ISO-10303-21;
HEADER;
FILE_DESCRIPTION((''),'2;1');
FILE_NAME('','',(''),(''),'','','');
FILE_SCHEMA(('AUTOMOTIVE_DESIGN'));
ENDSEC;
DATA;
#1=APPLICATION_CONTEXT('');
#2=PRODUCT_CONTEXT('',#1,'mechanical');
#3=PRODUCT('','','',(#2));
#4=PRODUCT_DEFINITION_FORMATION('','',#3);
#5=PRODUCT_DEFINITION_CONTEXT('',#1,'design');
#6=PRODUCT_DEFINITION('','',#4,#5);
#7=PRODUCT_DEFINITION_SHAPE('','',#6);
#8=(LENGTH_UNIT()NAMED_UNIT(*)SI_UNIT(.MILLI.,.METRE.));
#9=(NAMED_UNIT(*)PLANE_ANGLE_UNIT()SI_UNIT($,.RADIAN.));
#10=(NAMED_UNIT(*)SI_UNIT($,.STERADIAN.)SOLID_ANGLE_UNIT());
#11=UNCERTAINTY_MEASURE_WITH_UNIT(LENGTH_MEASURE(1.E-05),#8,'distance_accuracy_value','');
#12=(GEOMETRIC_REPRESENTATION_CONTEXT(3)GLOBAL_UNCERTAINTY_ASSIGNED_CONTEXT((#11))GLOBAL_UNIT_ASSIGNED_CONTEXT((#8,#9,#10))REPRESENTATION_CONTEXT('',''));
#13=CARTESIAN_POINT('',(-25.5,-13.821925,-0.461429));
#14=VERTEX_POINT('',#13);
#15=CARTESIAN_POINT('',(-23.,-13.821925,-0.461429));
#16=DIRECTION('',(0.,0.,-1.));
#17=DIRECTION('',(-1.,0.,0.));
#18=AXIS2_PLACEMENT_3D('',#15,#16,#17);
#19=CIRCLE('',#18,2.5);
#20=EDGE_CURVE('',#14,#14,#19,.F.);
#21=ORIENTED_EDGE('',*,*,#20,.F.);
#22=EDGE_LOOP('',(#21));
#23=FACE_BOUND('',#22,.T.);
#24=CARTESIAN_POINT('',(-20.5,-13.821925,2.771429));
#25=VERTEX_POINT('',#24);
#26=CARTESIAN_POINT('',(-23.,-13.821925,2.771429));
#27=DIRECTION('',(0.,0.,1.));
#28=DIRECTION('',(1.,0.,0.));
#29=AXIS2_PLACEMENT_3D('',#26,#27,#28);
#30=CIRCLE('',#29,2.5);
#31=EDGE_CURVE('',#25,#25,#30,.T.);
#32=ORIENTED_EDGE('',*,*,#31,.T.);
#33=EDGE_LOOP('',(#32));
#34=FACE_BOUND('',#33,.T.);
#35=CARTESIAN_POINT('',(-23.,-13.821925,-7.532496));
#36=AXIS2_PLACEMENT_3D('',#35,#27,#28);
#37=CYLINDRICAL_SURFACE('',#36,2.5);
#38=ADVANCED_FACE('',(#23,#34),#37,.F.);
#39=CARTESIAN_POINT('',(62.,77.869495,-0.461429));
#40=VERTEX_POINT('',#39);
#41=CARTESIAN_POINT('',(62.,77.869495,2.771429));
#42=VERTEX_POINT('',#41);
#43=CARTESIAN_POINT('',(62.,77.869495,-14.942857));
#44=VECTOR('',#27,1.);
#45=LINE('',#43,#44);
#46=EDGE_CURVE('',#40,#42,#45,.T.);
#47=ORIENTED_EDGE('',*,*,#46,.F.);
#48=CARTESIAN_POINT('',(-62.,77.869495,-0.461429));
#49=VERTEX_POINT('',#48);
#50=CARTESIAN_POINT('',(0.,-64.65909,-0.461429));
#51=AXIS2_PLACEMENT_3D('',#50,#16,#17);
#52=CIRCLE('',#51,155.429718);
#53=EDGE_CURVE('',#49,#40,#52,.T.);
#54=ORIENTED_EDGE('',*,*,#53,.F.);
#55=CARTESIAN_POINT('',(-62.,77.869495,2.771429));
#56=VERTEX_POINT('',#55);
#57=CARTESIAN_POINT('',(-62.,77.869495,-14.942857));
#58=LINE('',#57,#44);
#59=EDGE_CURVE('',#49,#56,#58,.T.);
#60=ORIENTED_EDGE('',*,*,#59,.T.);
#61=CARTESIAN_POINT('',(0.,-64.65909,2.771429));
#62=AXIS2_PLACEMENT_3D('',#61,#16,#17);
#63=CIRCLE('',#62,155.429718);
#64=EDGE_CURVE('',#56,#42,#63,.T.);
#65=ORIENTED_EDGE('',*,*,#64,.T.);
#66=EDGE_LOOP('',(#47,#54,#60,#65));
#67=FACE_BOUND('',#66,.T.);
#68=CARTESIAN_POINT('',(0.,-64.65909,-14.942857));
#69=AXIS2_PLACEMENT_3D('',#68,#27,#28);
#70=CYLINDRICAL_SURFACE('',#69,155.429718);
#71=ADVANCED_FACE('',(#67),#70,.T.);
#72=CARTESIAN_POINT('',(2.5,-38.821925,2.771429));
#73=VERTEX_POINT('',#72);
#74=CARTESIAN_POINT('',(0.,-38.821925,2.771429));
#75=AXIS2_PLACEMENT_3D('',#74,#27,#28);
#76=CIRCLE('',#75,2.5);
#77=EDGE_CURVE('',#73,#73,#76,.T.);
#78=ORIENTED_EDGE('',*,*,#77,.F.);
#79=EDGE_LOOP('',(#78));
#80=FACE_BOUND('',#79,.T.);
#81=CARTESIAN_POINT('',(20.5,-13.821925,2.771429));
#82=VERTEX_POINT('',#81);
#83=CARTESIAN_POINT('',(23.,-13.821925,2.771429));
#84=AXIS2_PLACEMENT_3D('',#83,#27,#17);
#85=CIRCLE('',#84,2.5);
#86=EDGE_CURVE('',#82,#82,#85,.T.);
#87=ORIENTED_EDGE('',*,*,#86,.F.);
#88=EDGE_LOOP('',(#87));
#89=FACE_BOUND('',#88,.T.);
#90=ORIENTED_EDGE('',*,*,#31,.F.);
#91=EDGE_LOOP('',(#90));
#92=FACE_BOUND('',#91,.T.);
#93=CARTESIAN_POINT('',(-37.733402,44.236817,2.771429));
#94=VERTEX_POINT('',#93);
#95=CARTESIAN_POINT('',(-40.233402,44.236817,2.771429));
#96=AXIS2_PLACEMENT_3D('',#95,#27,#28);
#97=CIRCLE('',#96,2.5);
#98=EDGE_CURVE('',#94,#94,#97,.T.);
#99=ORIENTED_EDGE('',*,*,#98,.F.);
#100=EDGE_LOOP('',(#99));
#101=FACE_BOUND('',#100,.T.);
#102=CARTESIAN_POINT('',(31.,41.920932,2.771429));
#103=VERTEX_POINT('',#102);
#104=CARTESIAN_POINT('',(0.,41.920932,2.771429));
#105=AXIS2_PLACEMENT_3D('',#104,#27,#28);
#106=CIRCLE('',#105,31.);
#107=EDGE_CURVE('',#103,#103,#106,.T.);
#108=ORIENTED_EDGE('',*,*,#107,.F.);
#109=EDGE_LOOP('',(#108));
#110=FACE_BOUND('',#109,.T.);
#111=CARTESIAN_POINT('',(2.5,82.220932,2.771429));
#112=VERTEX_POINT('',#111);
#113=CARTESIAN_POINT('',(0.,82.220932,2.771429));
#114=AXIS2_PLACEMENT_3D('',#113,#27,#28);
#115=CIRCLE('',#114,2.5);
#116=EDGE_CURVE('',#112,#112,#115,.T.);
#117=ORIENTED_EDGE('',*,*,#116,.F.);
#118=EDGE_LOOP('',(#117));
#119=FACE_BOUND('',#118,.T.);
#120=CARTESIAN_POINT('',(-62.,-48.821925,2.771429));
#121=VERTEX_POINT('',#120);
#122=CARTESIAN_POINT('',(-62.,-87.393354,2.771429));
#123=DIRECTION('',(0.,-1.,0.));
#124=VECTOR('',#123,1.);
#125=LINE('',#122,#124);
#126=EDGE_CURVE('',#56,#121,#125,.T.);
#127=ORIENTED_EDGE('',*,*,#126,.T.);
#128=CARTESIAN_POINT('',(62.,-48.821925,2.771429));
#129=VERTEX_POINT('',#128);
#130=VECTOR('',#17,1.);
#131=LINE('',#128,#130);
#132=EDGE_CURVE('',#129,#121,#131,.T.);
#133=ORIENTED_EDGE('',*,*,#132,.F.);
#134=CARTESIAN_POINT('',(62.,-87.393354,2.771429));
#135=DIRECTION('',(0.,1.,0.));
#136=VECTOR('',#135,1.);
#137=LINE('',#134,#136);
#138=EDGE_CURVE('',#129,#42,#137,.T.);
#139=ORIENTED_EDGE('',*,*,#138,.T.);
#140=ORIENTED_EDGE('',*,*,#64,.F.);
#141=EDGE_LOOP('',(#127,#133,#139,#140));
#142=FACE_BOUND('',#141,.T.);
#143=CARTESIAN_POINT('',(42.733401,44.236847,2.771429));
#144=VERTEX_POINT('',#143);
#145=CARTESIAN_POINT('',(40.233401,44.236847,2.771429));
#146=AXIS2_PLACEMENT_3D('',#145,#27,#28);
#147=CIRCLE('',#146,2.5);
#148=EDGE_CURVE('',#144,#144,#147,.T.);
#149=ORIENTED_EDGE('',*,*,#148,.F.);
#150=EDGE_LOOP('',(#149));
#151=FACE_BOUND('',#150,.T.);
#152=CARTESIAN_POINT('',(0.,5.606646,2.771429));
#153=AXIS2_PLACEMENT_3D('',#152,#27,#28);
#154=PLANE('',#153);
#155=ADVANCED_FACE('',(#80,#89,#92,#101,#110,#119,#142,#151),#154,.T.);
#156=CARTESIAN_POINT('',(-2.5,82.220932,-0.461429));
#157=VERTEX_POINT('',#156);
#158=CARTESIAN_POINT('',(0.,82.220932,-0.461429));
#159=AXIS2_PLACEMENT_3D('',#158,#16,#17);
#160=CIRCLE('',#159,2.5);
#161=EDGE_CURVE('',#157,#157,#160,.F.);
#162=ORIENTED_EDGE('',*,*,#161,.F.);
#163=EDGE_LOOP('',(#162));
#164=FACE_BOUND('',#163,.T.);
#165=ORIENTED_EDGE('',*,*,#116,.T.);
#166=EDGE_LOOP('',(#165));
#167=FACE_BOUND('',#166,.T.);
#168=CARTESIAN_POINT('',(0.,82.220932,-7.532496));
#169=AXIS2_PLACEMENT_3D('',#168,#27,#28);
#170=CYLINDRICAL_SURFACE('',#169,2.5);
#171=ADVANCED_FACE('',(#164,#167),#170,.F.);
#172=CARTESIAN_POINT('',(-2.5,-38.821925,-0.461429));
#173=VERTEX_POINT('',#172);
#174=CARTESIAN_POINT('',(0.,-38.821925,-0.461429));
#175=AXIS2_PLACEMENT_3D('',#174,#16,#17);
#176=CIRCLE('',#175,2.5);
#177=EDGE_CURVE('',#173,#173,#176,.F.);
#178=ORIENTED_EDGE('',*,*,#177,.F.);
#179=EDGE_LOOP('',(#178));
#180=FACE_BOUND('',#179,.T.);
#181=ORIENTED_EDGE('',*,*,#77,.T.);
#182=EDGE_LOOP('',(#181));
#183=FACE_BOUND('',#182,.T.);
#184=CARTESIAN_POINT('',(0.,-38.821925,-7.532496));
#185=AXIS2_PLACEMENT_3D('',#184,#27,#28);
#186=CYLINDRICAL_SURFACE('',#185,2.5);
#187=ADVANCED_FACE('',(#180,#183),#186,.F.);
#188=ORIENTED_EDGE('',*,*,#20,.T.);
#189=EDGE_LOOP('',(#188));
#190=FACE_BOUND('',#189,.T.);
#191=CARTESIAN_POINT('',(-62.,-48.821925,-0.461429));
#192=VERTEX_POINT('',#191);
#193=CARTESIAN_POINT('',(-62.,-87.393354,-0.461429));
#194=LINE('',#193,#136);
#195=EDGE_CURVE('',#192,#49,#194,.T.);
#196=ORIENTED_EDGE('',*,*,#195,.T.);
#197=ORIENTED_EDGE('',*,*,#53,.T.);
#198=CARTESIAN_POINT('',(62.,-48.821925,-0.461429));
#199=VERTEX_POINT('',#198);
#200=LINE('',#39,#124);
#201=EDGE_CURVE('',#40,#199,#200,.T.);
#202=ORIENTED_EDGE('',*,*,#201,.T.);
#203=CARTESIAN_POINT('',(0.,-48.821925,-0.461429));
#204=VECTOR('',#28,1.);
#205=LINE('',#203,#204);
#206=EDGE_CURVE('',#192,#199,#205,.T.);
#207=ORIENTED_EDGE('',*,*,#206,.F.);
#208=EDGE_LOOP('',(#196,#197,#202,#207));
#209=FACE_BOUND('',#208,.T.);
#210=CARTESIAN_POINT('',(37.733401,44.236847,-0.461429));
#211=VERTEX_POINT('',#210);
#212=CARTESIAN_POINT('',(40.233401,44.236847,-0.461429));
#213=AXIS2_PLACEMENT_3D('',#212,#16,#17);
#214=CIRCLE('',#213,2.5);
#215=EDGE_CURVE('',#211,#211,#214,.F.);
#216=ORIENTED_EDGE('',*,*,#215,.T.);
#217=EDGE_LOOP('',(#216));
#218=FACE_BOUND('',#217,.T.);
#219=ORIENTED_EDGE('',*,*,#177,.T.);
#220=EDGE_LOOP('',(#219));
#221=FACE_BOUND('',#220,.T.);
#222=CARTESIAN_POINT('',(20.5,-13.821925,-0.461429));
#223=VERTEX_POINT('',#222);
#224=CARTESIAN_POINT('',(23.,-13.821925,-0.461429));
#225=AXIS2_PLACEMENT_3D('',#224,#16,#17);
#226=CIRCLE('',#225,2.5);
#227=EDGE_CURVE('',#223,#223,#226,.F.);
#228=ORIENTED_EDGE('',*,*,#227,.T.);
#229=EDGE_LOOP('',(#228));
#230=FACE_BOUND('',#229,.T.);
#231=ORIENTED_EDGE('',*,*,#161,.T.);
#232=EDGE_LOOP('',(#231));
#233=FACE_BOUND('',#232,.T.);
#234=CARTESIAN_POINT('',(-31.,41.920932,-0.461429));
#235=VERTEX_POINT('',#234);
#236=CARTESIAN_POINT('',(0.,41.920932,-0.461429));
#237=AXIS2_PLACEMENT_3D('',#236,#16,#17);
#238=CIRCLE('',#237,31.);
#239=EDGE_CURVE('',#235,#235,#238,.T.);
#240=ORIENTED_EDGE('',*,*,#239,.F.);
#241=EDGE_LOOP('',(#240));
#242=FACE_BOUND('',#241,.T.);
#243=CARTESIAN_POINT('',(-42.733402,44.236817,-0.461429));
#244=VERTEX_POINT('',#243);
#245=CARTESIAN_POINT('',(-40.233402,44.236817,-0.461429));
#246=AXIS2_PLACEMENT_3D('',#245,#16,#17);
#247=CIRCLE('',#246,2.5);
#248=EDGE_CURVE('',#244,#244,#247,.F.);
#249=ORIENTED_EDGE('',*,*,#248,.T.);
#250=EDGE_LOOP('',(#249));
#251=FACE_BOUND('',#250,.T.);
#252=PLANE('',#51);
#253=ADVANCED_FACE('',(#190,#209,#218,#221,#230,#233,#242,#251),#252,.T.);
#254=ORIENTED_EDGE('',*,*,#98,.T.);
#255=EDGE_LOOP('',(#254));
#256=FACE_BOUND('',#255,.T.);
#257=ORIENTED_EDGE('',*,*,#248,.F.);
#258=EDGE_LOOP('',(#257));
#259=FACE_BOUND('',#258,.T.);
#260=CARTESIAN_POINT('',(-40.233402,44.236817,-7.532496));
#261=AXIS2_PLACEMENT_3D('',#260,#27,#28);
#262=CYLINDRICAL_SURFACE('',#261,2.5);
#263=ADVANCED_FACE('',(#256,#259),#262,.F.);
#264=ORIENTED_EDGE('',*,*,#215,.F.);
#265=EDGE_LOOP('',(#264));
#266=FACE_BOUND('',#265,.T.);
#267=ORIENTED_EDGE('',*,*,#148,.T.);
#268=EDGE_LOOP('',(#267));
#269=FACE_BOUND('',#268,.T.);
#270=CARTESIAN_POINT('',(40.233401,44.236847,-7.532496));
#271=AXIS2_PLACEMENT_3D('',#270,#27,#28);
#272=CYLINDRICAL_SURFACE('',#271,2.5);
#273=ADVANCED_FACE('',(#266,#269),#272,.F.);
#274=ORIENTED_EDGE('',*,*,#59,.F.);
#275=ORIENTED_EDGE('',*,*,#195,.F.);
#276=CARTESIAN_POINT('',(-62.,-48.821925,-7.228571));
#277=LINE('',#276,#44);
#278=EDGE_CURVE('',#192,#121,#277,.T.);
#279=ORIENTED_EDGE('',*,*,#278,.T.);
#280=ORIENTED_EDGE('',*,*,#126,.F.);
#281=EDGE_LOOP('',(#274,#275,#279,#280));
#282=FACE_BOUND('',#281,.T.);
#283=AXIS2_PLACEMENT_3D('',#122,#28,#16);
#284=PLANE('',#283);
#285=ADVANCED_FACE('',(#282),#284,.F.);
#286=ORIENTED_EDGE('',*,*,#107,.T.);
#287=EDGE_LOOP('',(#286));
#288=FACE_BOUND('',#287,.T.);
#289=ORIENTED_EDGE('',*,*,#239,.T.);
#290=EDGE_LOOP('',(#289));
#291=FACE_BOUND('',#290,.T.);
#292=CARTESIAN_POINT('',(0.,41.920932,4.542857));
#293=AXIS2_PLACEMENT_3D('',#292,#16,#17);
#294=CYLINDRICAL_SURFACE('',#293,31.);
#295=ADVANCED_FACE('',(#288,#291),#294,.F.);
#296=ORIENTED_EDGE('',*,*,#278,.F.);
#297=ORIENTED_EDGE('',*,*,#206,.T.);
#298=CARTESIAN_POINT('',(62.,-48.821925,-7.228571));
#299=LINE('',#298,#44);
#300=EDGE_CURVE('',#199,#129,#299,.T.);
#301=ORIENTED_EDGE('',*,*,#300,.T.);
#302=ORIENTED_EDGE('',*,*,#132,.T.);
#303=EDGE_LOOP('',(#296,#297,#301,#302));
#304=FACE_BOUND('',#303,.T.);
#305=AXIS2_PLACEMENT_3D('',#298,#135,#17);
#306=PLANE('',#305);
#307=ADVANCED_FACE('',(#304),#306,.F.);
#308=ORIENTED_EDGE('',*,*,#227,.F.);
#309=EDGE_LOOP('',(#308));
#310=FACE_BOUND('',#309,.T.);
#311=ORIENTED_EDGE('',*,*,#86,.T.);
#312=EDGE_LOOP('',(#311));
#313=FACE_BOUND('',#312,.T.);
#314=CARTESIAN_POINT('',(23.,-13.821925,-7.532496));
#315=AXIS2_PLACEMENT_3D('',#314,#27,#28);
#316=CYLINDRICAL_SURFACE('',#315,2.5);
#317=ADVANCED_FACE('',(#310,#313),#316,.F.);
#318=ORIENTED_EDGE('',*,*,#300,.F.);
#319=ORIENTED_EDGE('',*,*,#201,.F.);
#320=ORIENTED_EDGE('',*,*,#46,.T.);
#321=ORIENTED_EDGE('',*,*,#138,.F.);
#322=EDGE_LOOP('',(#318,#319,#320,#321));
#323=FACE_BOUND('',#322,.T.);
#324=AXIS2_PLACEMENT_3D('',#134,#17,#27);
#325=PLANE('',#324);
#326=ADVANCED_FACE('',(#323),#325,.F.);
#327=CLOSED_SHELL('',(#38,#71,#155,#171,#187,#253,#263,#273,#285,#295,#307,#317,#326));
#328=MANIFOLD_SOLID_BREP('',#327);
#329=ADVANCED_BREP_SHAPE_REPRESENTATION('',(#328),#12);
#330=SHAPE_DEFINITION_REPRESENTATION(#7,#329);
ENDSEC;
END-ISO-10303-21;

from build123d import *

# Parameters (mm, degrees)
SKETCH1_W           = 70
SKETCH1_H           = 105
BOSS_EXTRUDE1_DEPTH = 2
SKETCH2_R           = 17.5
CUT_EXTRUDE3_DEPTH  = 3
CUT_EXTRUDE6_DEPTH  = 10
SCALE1_SCALE        = 1.771428571
SKETCH6_R           = 30.999999993
CUT_EXTRUDE7_DEPTH  = 0.31
SKETCH7_W           = 123.99999997
SKETCH7_H           = 38.57142855
CUT_EXTRUDE8_DEPTH  = 10
SKETCH9_R           = 2.5
CUT_EXTRUDE9_DEPTH  = 3.232857142
SKETCH10_R          = 2.5
CUT_EXTRUDE10_DEPTH = 3.232857142


with BuildPart() as part:
    # Sketch1 → Boss-Extrude1 (new body)
    with BuildSketch(Plane.XY):
        Rectangle(SKETCH1_W, SKETCH1_H)
    extrude(amount=BOSS_EXTRUDE1_DEPTH)

    # Sketch2 → Cut-Extrude3 (cut)
    with BuildSketch(Plane(origin=(0, 0, 0), x_dir=(-1, 0, 0), z_dir=(0, 0, -1))):
        with Locations((0, 20.5)):
            Circle(SKETCH2_R)
    extrude(amount=-CUT_EXTRUDE3_DEPTH, mode=Mode.SUBTRACT)

    # Sketch5 → Cut-Extrude6 (cut)
    with BuildSketch(Plane.XY.offset(2)):
        with BuildLine():
            Line((-35, 40.793543502), (-35, 52.5))
            Line((-35, 52.5), (35, 52.5))
            Line((35, 52.5), (35, 40.793543502))
            ThreePointArc((35, 40.793543502), (0, 48.07644174), (-35, 40.793543502))
        make_face()
    extrude(amount=-CUT_EXTRUDE6_DEPTH, mode=Mode.SUBTRACT)


with BuildPart() as part_1:
    # Scale1: scaled about (0, -7.267874882, 1)
    add(part.part.scale(SCALE1_SCALE).moved(Location((0, 5.606646334, -0.771428571))))

    # Sketch6 → Cut-Extrude7 (cut)
    with BuildSketch(Plane(origin=(0, 0, -0.771428571), x_dir=(-1, 0, 0), z_dir=(0, 0, -1))):
        with BuildLine():
            Line((61.999999985, -87.393353643), (61.999999985, 77.869494806))
            ThreePointArc((61.999999985, 77.869494806), (0, 90.770628825), (-61.999999985, 77.869494806))
            Line((-61.999999985, 77.869494806), (-61.999999985, -87.393353643))
            Line((-61.999999985, -87.393353643), (61.999999985, -87.393353643))
        make_face()
        with Locations((0, 41.92093204)):
            Circle(SKETCH6_R, mode=Mode.SUBTRACT)
    extrude(amount=-CUT_EXTRUDE7_DEPTH, mode=Mode.SUBTRACT)

    # Sketch7 → Cut-Extrude8 (cut)
    with BuildSketch(Plane.XY.offset(2.771428571)):
        with Locations((0, -68.107639368)):
            Rectangle(SKETCH7_W, SKETCH7_H)
    extrude(amount=-CUT_EXTRUDE8_DEPTH, mode=Mode.SUBTRACT)

    # Sketch9 → Cut-Extrude9 (cut)
    with BuildSketch(Plane.XY.offset(2.771428571)):
        with Locations((0, -38.821925093)):
            Circle(SKETCH9_R)
        with Locations((-23, -13.821925093)):
            Circle(SKETCH9_R)
        with Locations(Location((23, -13.821925093, 0), (0, 0, 180))):
            Circle(SKETCH9_R)
    extrude(amount=-CUT_EXTRUDE9_DEPTH, mode=Mode.SUBTRACT)

    # Sketch10 → Cut-Extrude10 (cut)
    with BuildSketch(Plane.XY.offset(2.771428571)):
        with Locations((-40.233402491, 44.236817184)):
            Circle(SKETCH10_R)
        with Locations((0, 82.22093204)):
            Circle(SKETCH10_R)
        with Locations((40.233400771, 44.236847056)):
            Circle(SKETCH10_R)
    extrude(amount=-CUT_EXTRUDE10_DEPTH, mode=Mode.SUBTRACT)


solid = part_1.part
